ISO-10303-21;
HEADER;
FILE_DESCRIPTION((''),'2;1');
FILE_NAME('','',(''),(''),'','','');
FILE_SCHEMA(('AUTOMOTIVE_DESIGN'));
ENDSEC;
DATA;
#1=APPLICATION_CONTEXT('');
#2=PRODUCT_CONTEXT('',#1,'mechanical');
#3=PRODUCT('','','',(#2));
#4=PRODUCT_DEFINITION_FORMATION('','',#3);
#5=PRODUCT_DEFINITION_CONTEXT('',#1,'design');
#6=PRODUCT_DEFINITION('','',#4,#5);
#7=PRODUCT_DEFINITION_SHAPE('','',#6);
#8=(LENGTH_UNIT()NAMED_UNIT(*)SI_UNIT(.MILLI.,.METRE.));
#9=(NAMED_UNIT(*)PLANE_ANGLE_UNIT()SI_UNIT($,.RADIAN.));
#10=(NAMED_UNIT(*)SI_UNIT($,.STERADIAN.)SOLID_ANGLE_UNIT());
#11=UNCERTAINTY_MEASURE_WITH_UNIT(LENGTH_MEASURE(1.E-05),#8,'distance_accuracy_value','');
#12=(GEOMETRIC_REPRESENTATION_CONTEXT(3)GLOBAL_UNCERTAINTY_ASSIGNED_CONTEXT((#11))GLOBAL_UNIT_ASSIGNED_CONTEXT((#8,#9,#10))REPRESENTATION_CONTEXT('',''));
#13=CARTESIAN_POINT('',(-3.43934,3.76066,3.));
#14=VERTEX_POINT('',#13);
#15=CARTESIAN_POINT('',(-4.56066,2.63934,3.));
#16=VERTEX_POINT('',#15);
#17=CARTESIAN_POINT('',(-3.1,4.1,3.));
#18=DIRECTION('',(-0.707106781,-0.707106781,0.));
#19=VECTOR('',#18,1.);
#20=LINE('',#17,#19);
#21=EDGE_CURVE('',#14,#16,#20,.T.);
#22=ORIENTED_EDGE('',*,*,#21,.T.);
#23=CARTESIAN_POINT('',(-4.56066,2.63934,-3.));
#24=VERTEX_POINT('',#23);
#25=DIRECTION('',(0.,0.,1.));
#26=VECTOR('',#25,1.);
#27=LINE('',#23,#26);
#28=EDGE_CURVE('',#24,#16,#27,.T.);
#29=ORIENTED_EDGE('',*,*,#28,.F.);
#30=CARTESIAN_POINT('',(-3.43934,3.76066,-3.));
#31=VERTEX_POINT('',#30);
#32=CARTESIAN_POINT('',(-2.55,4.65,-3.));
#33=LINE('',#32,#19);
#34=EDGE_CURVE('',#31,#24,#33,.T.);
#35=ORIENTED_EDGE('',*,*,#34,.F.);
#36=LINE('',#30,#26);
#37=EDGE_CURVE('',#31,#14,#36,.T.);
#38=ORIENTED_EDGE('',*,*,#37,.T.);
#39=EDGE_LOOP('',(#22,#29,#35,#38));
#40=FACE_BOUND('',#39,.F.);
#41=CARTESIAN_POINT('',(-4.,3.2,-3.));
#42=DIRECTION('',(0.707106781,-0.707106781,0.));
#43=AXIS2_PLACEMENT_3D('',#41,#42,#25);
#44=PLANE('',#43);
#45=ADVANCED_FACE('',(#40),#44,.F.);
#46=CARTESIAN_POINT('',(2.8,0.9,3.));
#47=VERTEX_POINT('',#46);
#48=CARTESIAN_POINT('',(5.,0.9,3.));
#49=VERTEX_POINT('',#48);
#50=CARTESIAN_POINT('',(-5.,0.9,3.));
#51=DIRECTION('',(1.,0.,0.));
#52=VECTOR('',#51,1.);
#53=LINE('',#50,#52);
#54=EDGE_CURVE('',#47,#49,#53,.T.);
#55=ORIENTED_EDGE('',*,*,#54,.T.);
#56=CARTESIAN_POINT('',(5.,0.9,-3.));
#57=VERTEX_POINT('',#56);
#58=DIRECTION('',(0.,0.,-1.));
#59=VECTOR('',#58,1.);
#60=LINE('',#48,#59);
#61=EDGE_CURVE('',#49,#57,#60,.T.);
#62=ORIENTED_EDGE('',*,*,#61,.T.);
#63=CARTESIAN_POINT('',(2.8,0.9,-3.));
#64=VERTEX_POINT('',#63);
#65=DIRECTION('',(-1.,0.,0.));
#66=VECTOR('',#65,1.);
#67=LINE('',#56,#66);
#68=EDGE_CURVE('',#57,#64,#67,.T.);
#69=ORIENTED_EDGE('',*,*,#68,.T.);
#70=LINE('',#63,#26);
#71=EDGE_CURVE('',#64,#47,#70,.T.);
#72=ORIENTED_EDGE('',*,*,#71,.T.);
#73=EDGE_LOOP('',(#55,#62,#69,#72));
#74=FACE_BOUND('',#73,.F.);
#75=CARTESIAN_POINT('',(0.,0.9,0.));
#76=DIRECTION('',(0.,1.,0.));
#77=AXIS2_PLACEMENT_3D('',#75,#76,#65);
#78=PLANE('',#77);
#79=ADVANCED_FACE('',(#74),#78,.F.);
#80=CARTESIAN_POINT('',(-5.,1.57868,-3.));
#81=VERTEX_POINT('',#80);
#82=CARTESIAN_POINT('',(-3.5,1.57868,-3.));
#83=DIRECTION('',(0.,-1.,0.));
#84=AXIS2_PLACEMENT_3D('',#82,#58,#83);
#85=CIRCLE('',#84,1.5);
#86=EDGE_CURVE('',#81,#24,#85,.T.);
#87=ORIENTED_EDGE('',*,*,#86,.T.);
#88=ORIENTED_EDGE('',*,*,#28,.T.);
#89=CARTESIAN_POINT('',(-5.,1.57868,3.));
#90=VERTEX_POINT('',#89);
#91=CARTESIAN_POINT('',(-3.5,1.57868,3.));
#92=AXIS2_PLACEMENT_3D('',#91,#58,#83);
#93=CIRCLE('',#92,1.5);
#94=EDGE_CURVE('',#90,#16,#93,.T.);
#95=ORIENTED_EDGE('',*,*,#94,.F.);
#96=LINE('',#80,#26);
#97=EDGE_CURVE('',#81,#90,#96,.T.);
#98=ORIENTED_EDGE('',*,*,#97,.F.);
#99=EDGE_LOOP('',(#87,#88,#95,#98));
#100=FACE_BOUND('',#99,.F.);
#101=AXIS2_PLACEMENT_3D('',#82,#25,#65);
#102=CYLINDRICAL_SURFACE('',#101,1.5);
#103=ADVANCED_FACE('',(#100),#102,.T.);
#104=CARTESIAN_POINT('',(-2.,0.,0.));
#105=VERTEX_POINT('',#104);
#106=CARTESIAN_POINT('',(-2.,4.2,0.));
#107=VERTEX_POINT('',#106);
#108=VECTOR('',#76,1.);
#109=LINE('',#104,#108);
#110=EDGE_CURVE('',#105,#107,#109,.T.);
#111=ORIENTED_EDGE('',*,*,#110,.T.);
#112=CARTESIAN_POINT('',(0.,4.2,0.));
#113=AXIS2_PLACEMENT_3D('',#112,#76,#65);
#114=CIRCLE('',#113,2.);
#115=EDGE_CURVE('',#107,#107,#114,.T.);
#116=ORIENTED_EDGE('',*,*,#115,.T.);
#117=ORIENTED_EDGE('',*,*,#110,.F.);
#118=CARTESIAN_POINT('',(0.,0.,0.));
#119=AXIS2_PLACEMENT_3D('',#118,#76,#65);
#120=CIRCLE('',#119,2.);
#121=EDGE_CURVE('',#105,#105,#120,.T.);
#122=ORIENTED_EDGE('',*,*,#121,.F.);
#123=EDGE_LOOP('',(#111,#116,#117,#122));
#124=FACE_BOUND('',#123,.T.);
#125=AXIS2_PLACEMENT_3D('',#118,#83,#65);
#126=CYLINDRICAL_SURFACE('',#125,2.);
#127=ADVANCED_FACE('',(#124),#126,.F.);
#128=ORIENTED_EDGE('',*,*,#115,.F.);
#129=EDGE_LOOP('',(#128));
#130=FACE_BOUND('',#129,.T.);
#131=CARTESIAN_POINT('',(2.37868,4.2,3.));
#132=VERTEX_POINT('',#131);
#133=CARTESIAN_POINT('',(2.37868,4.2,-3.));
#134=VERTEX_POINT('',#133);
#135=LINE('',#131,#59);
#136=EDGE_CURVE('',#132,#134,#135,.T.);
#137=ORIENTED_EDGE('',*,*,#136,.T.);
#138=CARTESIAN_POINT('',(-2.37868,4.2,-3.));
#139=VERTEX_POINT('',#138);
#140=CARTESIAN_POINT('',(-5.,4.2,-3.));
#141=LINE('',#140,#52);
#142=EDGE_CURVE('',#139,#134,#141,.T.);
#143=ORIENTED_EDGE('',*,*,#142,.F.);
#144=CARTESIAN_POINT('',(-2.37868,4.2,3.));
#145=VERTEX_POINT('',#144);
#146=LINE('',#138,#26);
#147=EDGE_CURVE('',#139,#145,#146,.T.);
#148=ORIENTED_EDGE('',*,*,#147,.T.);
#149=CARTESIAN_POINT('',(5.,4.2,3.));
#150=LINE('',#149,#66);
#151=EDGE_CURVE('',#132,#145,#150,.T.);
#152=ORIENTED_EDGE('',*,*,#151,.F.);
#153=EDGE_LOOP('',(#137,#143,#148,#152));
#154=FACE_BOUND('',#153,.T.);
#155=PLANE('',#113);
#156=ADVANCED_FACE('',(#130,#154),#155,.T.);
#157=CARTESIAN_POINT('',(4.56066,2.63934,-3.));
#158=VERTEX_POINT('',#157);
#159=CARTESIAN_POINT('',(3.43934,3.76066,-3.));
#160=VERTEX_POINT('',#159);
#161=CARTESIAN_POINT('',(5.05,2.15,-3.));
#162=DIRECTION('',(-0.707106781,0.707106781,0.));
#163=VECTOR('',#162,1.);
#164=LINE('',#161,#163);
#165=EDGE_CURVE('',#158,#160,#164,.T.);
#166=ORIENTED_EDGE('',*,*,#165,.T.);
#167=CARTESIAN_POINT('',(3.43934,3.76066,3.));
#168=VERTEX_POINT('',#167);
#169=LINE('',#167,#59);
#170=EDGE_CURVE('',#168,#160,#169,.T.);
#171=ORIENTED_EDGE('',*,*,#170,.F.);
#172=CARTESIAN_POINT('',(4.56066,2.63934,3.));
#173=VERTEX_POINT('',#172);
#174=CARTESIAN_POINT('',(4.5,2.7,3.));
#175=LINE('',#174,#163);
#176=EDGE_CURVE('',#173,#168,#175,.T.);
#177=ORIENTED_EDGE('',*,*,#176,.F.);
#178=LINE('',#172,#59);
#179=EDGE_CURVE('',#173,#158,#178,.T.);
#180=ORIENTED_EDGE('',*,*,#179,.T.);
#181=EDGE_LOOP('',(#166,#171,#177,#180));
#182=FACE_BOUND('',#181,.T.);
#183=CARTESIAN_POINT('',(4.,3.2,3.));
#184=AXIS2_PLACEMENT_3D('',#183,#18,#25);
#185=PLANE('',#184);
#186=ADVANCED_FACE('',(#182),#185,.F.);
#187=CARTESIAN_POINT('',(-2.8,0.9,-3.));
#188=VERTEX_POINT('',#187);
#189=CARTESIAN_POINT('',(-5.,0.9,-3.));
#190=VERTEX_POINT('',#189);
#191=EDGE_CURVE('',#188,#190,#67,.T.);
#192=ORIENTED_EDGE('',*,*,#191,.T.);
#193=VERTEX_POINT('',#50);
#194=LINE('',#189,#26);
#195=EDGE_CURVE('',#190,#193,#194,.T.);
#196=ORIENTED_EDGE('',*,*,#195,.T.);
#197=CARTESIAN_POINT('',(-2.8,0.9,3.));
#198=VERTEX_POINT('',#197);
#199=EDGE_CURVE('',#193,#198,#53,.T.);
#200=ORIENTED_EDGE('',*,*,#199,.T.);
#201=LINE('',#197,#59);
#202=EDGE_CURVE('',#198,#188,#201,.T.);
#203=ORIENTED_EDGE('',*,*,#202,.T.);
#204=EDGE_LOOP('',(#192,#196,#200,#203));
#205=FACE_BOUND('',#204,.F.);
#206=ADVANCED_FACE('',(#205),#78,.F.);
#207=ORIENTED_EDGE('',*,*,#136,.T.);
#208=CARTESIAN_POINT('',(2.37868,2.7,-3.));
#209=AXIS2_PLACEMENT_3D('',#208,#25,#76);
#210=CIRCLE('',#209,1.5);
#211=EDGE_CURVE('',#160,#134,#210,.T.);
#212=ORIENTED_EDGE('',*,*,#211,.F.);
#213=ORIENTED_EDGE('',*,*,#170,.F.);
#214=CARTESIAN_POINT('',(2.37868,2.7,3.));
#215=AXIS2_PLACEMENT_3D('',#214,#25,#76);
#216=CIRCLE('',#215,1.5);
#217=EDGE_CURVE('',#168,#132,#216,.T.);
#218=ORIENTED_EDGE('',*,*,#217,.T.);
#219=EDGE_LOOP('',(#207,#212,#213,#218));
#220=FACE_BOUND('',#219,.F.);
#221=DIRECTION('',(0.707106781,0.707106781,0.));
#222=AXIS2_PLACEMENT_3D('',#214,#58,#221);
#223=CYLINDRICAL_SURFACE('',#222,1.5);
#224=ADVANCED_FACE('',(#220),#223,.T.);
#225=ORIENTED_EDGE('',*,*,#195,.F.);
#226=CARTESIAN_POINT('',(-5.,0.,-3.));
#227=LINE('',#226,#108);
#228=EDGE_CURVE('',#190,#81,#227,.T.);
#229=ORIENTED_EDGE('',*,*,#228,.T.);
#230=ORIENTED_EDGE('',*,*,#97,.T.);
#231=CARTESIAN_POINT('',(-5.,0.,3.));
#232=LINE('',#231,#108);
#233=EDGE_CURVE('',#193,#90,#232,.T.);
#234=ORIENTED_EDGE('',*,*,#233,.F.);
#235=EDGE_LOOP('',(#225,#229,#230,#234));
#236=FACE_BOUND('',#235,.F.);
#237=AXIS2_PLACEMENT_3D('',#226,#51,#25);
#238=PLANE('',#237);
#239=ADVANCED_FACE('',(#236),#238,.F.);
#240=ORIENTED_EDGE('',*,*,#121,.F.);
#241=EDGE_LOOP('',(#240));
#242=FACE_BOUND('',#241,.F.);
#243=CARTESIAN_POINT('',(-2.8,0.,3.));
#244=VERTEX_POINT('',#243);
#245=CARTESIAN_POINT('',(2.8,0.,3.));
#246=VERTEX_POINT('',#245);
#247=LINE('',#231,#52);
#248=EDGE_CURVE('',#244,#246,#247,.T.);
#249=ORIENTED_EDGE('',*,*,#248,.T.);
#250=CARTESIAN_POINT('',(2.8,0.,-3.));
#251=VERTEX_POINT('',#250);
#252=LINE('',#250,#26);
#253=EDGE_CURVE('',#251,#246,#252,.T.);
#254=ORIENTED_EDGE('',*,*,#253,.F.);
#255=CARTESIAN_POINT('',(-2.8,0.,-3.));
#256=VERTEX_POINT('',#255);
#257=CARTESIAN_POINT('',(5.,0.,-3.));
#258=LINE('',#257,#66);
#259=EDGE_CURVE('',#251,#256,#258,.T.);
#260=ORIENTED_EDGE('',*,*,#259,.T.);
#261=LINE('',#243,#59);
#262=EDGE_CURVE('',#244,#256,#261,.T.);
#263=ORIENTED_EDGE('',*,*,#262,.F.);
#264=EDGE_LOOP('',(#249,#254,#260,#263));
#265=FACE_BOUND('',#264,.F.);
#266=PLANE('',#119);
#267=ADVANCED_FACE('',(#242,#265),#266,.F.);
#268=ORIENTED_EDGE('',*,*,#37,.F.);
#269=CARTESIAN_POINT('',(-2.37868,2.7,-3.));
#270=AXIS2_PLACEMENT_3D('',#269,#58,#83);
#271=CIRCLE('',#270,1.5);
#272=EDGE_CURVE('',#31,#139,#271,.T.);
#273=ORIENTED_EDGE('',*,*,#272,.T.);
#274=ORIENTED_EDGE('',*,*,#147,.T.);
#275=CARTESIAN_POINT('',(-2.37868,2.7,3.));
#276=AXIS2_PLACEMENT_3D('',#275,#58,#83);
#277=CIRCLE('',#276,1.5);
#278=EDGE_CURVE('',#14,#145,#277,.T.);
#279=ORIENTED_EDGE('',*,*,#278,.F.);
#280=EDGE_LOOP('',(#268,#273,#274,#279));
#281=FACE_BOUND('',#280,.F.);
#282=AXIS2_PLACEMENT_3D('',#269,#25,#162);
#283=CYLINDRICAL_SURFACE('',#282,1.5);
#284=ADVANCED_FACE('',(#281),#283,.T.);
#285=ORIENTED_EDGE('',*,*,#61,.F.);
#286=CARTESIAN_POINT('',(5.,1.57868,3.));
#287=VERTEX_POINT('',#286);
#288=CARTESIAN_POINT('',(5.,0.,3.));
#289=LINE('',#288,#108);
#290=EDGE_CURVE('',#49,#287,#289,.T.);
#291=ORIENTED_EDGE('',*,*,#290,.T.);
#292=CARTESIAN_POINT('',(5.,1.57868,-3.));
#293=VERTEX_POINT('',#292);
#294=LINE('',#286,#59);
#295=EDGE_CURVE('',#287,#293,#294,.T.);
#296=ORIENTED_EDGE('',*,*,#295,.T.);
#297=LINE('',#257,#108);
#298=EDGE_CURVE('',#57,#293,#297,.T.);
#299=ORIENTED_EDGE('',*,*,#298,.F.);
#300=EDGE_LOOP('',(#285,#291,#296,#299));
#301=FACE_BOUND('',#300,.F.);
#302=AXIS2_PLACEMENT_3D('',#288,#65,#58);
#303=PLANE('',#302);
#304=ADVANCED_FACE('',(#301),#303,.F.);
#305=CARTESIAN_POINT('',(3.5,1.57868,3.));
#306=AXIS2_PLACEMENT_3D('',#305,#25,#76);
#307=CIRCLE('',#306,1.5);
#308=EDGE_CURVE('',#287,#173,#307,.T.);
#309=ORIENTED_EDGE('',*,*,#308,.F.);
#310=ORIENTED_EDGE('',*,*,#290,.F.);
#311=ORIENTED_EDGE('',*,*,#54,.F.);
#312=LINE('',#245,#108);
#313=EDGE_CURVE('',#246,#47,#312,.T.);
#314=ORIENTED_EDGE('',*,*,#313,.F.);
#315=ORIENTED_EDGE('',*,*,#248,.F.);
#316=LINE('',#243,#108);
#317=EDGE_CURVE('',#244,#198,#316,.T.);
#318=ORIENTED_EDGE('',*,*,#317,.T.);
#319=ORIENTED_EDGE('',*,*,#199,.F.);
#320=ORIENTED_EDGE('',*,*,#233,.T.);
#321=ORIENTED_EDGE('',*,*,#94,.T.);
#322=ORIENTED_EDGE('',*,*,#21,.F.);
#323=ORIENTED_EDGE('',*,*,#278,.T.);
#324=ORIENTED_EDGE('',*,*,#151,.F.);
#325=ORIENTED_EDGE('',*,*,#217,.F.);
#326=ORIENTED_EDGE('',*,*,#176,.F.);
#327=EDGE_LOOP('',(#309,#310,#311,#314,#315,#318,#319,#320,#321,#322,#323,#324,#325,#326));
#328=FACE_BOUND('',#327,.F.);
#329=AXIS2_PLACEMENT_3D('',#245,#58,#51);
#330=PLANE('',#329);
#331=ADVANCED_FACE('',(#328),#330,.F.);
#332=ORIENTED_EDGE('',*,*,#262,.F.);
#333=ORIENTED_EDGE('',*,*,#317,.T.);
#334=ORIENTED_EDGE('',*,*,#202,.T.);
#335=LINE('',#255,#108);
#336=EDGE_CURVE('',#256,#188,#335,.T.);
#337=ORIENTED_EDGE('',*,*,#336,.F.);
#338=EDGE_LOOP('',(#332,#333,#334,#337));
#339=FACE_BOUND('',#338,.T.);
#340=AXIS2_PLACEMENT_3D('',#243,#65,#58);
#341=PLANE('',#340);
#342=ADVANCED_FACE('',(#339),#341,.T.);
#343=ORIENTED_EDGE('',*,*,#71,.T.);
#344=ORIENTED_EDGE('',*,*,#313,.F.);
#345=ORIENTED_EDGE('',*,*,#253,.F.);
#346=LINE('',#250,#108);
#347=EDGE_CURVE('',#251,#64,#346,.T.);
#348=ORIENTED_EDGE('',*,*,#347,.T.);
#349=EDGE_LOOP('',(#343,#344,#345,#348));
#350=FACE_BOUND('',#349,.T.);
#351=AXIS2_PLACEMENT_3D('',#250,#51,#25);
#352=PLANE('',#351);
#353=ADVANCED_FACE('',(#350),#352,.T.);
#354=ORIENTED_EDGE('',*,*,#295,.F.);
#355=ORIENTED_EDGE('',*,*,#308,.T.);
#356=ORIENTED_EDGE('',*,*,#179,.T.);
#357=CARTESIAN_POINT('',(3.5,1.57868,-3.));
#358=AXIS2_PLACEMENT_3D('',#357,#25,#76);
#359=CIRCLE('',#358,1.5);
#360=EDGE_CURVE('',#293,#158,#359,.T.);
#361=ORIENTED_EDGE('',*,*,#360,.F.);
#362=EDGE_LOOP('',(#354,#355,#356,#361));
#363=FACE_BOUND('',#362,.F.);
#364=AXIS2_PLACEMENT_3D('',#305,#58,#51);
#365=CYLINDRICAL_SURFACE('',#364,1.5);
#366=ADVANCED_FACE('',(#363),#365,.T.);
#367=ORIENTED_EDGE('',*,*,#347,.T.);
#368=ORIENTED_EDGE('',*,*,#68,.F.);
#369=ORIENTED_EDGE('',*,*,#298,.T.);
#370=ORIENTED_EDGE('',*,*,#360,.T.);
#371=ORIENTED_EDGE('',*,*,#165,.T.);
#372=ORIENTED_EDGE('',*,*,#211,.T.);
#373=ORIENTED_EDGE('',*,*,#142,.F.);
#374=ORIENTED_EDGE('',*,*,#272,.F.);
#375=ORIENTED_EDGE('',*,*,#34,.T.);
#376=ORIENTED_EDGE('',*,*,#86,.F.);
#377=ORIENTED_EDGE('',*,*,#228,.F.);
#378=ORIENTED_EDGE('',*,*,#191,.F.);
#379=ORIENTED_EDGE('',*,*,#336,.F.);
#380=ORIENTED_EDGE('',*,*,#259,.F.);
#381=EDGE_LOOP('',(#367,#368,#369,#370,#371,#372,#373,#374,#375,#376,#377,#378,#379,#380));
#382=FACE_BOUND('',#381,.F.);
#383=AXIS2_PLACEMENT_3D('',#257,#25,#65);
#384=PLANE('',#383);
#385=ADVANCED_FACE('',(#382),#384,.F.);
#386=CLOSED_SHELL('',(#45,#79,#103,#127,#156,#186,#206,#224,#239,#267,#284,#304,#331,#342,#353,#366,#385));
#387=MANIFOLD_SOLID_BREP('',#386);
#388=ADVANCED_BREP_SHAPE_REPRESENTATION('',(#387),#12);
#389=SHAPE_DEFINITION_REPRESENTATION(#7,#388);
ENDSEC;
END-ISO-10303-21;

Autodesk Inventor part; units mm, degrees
ref_plane "YZ Plane" through (0, 0, 0) normal (1, 0, 0) x (0, 1, 0)
ref_plane "XZ Plane" through (0, 0, 0) normal (0, 1, 0) x (-1, 0, 0)
ref_plane "XY Plane" through (0, 0, 0) normal (0, 0, 1) x (1, 0, 0)
sketch "Sketch1" plane through (0, 0, 0) normal (0, 1, 0) x (-1, 0, 0)
  line L0 (-5, -3) -> (5, -3)
  line L1 (5, -3) -> (5, 3)
  line L2 (5, 3) -> (-5, 3)
  line L3 (-5, 3) -> (-5, -3)
  line L4 (-5, -3) -> (5, 3) construction
  line L5 (5, -3) -> (-5, 3) construction
  line L6 (2.8, 3) -> (2.8, -3)
  line L7 (-2.8, -3) -> (-2.8, 3)
  line L8 (-2.8, 0) -> (2.8, 0) construction
  circle A0 centre (0, 0) radius 2
  dimension "d0" = 10
  dimension "d1" = 6
  dimension "d5" = 5.6
  dimension "d11" = 4
extrude "Extrusion1" add sketch "Sketch1" along normal blind 4.2
extrude "Extrusion2" cut sketch "Sketch1" along normal blind 0.9 contours L3 L2 L7 L0 | L6 L2 L1 L0
chamfer "Chamfer1" distance 2 angle 45 2 edges at (-5, 4.2, 0) (5, 4.2, 0)
fillet "Fillet1" radius 1.5 4 edges at (-3, 4.2, 0) (3, 4.2, 0) (-5, 2.2, 0) (5, 2.2, 0)
properties part number "M4 T-Slot Nut"
